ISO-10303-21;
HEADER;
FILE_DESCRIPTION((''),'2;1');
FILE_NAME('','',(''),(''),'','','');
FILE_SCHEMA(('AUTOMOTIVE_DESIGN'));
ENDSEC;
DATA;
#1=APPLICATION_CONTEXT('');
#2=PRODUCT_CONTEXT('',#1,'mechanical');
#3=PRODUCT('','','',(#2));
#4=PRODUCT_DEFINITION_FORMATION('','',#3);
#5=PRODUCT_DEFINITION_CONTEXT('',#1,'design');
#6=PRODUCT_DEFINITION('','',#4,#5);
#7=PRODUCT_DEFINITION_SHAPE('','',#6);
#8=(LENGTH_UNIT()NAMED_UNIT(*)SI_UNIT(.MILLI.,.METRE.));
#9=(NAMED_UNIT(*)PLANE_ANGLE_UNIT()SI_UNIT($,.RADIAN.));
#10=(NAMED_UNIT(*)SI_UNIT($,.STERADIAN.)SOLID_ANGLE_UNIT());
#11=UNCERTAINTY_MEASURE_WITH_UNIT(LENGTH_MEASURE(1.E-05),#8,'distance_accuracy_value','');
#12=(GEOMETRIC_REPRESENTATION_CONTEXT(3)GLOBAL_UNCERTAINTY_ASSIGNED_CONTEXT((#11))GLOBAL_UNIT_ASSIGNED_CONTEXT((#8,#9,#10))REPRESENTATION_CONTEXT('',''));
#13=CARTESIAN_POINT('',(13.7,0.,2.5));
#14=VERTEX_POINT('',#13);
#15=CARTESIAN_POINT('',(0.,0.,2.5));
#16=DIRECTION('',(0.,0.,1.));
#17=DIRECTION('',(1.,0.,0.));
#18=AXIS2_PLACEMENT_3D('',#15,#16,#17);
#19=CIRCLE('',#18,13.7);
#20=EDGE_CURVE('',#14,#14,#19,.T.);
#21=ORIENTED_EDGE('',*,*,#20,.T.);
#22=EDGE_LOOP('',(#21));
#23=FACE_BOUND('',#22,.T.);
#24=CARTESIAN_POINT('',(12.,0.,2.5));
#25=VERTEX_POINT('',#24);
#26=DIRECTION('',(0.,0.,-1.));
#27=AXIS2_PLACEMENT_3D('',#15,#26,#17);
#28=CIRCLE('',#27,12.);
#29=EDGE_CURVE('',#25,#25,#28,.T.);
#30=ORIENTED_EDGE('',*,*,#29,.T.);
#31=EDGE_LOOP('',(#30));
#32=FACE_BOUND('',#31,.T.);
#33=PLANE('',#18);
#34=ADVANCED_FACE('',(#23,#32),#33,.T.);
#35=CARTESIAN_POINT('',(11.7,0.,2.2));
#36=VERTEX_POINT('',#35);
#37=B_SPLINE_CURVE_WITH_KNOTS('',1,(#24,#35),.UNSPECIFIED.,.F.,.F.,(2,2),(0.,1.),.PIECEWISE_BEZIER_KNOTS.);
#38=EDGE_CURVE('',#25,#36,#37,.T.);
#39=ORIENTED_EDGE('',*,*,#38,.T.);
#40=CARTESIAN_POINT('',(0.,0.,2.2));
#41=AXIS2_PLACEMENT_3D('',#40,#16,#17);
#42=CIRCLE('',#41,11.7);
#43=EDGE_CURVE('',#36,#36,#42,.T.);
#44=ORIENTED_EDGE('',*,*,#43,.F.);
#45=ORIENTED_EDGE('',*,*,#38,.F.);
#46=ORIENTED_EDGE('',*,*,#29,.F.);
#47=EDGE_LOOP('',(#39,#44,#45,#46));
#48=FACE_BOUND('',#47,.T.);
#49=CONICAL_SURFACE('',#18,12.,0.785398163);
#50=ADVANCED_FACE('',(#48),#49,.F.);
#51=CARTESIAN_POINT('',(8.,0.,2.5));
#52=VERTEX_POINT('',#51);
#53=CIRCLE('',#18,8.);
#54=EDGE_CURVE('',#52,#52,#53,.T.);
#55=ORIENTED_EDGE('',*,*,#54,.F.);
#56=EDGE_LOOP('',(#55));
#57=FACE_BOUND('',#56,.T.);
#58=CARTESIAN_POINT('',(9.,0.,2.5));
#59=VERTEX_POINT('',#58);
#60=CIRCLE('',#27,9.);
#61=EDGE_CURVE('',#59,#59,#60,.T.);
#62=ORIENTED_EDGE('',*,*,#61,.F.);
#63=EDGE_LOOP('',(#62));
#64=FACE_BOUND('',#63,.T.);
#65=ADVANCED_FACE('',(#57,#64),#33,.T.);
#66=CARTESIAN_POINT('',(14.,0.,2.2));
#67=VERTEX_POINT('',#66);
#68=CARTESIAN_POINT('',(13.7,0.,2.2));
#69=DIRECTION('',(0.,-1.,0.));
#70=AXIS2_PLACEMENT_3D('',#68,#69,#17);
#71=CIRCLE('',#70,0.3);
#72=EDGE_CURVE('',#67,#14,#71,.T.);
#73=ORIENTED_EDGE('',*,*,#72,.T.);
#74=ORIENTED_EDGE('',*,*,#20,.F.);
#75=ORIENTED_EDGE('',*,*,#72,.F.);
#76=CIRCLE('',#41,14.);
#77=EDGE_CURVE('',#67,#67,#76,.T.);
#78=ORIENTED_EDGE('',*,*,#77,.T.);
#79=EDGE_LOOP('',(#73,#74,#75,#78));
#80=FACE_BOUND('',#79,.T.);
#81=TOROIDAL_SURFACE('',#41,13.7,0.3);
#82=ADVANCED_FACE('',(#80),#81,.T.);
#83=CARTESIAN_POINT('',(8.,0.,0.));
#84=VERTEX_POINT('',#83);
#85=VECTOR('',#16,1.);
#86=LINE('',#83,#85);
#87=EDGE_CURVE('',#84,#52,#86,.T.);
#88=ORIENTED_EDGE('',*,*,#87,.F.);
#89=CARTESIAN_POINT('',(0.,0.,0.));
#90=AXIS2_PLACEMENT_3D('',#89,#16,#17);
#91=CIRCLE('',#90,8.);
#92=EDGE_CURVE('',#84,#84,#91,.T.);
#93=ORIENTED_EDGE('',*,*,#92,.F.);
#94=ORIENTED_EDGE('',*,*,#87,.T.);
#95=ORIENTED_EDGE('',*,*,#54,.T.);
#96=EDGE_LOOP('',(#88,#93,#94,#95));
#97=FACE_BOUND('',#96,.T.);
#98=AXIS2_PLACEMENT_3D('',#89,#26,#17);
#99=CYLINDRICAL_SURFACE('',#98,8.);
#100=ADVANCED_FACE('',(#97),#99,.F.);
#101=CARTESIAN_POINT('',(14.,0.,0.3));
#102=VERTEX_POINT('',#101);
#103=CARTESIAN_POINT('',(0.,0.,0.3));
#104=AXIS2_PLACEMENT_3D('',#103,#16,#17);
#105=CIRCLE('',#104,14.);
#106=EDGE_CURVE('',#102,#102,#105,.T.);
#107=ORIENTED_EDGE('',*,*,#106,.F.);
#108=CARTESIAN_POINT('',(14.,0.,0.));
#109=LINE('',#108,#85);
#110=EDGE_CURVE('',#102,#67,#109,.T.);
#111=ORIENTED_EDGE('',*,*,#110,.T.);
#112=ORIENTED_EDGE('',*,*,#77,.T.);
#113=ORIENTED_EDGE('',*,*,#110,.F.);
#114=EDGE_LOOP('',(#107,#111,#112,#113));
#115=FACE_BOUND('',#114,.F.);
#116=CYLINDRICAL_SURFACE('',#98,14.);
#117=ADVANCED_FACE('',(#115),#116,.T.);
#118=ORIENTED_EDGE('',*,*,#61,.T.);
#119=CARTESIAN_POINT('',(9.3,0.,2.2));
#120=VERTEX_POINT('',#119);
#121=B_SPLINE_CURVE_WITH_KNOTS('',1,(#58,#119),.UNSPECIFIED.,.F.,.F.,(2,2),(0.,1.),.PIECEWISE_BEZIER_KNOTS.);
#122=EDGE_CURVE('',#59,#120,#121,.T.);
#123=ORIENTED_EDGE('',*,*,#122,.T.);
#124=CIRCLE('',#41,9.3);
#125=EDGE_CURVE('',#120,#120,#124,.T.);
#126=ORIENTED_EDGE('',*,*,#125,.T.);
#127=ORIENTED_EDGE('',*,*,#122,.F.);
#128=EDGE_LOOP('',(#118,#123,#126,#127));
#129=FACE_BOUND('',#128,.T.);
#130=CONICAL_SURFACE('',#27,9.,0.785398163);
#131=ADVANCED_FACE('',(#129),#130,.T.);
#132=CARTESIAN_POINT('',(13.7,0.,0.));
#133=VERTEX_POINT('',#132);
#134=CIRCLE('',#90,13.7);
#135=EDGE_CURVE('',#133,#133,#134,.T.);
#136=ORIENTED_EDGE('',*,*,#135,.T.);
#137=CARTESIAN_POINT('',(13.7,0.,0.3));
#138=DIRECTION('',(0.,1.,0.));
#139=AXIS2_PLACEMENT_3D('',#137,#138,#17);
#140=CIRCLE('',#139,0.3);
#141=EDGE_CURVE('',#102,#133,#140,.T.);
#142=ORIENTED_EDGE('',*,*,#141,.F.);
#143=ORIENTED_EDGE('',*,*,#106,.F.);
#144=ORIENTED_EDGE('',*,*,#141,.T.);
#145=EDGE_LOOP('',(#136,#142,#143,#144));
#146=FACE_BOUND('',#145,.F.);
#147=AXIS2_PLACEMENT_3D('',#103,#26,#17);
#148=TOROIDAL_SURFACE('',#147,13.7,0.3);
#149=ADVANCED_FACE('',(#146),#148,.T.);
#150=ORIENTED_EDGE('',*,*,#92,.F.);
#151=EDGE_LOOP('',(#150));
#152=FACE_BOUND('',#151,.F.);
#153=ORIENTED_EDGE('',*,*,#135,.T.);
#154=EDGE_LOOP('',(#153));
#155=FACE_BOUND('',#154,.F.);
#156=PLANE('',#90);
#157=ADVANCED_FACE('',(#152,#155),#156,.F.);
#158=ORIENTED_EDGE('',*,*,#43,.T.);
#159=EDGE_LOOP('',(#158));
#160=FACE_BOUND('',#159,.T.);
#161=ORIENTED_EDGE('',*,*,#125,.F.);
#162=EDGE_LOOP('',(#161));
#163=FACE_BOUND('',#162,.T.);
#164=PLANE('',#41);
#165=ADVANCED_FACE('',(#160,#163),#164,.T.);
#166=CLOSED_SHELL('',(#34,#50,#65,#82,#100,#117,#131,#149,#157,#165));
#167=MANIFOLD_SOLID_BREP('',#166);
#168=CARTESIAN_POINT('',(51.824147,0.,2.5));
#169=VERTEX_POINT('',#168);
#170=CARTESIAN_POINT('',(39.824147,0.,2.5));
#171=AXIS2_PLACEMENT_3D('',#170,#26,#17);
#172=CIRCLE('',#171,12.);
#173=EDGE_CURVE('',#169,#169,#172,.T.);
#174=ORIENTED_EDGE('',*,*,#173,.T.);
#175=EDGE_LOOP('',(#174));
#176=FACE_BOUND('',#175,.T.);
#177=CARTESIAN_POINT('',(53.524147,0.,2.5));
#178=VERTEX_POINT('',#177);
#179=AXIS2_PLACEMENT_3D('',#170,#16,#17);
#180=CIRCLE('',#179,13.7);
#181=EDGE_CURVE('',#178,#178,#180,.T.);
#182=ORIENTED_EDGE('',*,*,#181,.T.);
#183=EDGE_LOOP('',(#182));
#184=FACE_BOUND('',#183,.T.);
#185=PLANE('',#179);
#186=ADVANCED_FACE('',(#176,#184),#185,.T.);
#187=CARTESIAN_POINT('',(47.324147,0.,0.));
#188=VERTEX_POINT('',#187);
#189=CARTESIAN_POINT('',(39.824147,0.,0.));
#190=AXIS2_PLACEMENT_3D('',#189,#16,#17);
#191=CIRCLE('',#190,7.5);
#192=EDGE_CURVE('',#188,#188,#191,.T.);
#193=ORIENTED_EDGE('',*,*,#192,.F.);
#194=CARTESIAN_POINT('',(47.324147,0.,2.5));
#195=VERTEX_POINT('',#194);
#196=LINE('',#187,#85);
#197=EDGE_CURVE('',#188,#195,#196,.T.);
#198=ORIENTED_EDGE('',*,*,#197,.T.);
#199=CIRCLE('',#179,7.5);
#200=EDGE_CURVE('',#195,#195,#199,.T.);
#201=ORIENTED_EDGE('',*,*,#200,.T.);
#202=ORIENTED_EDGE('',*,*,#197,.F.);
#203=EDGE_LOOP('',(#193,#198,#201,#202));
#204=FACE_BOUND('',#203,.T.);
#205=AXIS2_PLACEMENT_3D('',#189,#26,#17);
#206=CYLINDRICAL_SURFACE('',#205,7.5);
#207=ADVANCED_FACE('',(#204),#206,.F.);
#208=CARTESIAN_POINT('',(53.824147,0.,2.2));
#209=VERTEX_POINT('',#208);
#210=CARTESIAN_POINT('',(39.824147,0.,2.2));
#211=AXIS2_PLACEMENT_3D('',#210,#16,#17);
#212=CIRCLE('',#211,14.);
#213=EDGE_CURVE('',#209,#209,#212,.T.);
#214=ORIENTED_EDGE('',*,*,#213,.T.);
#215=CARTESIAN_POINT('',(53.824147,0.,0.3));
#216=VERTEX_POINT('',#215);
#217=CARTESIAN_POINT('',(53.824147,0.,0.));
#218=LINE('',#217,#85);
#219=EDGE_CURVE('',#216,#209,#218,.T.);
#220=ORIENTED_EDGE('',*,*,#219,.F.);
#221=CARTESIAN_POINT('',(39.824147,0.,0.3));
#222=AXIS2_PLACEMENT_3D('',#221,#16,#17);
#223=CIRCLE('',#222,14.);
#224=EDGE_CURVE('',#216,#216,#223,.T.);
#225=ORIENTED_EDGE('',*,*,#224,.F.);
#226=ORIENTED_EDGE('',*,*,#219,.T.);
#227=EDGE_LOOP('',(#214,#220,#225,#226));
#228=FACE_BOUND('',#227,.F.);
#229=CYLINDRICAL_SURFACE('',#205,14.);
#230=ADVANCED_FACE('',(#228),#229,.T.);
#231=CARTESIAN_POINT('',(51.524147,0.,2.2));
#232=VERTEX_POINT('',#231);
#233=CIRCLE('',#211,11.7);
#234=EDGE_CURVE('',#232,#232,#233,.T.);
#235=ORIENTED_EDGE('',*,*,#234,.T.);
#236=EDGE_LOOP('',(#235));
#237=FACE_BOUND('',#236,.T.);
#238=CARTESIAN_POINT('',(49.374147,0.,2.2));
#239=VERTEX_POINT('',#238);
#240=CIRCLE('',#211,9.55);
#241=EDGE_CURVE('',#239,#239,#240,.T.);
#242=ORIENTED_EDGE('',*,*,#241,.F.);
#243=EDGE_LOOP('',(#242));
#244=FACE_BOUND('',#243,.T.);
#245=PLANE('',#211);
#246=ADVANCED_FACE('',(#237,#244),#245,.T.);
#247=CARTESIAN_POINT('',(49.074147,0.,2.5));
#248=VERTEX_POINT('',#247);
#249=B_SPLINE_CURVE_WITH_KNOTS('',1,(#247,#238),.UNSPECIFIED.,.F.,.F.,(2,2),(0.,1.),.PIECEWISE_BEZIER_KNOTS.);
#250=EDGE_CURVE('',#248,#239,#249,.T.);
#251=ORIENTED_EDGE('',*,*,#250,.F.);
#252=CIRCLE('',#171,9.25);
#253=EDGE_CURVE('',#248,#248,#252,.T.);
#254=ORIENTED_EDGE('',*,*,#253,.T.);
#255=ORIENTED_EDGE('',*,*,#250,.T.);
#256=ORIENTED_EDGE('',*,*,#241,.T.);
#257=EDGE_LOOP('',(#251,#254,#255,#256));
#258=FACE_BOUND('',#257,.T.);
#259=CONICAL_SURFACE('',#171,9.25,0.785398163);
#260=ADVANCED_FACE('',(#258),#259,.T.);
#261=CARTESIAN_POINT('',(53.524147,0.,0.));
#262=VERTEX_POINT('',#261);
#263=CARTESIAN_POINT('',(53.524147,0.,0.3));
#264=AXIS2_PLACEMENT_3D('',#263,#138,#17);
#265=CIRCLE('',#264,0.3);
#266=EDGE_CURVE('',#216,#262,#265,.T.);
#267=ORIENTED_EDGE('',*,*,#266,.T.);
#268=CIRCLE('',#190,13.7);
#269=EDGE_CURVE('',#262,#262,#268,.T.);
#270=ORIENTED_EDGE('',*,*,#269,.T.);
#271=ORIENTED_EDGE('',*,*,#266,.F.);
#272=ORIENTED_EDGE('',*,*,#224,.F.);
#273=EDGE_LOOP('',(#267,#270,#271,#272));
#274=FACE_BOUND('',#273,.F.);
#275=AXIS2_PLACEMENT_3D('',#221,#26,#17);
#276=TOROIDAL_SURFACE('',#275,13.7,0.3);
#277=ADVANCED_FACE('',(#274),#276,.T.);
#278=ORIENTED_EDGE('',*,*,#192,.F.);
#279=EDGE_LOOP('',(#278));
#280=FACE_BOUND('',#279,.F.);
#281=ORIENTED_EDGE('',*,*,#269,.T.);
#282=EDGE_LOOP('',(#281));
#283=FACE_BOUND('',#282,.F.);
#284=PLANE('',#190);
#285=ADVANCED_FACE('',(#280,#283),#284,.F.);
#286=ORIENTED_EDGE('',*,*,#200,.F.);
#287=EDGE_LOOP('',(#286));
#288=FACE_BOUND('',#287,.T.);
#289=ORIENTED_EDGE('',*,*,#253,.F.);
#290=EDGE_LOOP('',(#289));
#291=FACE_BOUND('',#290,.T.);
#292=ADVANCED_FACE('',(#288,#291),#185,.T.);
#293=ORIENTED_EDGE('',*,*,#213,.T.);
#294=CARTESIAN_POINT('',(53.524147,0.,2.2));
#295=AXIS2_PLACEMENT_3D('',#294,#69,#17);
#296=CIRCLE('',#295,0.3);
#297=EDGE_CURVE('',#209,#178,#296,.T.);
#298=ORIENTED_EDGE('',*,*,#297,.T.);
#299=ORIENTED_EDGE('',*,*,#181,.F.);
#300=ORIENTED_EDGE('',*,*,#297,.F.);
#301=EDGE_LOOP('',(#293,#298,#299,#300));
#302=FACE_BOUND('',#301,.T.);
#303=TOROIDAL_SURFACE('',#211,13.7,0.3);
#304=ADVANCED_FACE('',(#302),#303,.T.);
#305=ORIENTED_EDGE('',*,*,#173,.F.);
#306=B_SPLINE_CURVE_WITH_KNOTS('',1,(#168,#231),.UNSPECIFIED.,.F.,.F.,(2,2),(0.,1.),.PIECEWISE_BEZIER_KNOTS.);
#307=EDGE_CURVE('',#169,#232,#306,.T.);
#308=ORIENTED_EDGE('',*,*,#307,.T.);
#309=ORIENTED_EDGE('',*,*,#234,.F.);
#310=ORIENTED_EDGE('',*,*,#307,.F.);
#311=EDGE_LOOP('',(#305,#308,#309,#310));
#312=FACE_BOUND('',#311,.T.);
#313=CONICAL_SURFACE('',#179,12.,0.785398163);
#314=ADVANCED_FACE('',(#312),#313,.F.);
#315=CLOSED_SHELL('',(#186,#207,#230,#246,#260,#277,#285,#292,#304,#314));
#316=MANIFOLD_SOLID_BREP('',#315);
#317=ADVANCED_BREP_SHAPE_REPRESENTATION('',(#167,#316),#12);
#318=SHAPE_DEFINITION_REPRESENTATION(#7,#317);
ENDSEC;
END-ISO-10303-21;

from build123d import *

# Parameters (mm, degrees)
F0_R     = 14
F0_R_2   = 8
F1_DEPTH = 2.5
F2_R     = 12
F2_R_2   = 9
F3_DEPTH = 0.3
F3_TAPER = 45
F4_R     = 0.3
F5_R     = 14
F5_R_2   = 7.5
F6_DEPTH = 2.5
F7_R     = 12
F7_R_2   = 9.25
F8_DEPTH = 0.3
F8_TAPER = 45
F9_R     = 0.3


with BuildPart() as f1:
    # F0 (on Top) → F1 (new body)
    with BuildSketch(Plane.XY):
        Circle(F0_R)
        Circle(F0_R_2, mode=Mode.SUBTRACT)
    extrude(amount=F1_DEPTH)

    # F2 (on face) → F3 (cut)
    with BuildSketch(Plane.XY.offset(2.5)):
        Circle(F2_R)
        Circle(F2_R_2, mode=Mode.SUBTRACT)
    extrude(amount=-F3_DEPTH, taper=F3_TAPER, mode=Mode.SUBTRACT)

    # F4
    f4_edges = [f1.edges().sort_by_distance(p)[0] for p in [
        (-14, 0, 2.5),
        (-14, 0, 0),
    ]]
    fillet(f4_edges, radius=F4_R)


with BuildPart() as f6:
    # F5 (on Top) → F6 (new body)
    with BuildSketch(Plane.XY):
        with Locations((39.8241467774, 0)):
            Circle(F5_R)
        with Locations((39.8241467774, 0)):
            Circle(F5_R_2, mode=Mode.SUBTRACT)
    extrude(amount=F6_DEPTH)

    # F7 (on face) → F8 (cut)
    with BuildSketch(Plane.XY.offset(2.5)):
        with Locations((39.8241467774, 0)):
            Circle(F7_R)
        with Locations((39.8241467774, 0)):
            Circle(F7_R_2, mode=Mode.SUBTRACT)
    extrude(amount=-F8_DEPTH, taper=F8_TAPER, mode=Mode.SUBTRACT)

    # F9
    f9_edges = [f6.edges().sort_by_distance(p)[0] for p in [
        (25.824147, 0, 2.5),
        (25.824147, 0, 0),
    ]]
    fillet(f9_edges, radius=F9_R)


solid = Compound([f1.part, f6.part])
